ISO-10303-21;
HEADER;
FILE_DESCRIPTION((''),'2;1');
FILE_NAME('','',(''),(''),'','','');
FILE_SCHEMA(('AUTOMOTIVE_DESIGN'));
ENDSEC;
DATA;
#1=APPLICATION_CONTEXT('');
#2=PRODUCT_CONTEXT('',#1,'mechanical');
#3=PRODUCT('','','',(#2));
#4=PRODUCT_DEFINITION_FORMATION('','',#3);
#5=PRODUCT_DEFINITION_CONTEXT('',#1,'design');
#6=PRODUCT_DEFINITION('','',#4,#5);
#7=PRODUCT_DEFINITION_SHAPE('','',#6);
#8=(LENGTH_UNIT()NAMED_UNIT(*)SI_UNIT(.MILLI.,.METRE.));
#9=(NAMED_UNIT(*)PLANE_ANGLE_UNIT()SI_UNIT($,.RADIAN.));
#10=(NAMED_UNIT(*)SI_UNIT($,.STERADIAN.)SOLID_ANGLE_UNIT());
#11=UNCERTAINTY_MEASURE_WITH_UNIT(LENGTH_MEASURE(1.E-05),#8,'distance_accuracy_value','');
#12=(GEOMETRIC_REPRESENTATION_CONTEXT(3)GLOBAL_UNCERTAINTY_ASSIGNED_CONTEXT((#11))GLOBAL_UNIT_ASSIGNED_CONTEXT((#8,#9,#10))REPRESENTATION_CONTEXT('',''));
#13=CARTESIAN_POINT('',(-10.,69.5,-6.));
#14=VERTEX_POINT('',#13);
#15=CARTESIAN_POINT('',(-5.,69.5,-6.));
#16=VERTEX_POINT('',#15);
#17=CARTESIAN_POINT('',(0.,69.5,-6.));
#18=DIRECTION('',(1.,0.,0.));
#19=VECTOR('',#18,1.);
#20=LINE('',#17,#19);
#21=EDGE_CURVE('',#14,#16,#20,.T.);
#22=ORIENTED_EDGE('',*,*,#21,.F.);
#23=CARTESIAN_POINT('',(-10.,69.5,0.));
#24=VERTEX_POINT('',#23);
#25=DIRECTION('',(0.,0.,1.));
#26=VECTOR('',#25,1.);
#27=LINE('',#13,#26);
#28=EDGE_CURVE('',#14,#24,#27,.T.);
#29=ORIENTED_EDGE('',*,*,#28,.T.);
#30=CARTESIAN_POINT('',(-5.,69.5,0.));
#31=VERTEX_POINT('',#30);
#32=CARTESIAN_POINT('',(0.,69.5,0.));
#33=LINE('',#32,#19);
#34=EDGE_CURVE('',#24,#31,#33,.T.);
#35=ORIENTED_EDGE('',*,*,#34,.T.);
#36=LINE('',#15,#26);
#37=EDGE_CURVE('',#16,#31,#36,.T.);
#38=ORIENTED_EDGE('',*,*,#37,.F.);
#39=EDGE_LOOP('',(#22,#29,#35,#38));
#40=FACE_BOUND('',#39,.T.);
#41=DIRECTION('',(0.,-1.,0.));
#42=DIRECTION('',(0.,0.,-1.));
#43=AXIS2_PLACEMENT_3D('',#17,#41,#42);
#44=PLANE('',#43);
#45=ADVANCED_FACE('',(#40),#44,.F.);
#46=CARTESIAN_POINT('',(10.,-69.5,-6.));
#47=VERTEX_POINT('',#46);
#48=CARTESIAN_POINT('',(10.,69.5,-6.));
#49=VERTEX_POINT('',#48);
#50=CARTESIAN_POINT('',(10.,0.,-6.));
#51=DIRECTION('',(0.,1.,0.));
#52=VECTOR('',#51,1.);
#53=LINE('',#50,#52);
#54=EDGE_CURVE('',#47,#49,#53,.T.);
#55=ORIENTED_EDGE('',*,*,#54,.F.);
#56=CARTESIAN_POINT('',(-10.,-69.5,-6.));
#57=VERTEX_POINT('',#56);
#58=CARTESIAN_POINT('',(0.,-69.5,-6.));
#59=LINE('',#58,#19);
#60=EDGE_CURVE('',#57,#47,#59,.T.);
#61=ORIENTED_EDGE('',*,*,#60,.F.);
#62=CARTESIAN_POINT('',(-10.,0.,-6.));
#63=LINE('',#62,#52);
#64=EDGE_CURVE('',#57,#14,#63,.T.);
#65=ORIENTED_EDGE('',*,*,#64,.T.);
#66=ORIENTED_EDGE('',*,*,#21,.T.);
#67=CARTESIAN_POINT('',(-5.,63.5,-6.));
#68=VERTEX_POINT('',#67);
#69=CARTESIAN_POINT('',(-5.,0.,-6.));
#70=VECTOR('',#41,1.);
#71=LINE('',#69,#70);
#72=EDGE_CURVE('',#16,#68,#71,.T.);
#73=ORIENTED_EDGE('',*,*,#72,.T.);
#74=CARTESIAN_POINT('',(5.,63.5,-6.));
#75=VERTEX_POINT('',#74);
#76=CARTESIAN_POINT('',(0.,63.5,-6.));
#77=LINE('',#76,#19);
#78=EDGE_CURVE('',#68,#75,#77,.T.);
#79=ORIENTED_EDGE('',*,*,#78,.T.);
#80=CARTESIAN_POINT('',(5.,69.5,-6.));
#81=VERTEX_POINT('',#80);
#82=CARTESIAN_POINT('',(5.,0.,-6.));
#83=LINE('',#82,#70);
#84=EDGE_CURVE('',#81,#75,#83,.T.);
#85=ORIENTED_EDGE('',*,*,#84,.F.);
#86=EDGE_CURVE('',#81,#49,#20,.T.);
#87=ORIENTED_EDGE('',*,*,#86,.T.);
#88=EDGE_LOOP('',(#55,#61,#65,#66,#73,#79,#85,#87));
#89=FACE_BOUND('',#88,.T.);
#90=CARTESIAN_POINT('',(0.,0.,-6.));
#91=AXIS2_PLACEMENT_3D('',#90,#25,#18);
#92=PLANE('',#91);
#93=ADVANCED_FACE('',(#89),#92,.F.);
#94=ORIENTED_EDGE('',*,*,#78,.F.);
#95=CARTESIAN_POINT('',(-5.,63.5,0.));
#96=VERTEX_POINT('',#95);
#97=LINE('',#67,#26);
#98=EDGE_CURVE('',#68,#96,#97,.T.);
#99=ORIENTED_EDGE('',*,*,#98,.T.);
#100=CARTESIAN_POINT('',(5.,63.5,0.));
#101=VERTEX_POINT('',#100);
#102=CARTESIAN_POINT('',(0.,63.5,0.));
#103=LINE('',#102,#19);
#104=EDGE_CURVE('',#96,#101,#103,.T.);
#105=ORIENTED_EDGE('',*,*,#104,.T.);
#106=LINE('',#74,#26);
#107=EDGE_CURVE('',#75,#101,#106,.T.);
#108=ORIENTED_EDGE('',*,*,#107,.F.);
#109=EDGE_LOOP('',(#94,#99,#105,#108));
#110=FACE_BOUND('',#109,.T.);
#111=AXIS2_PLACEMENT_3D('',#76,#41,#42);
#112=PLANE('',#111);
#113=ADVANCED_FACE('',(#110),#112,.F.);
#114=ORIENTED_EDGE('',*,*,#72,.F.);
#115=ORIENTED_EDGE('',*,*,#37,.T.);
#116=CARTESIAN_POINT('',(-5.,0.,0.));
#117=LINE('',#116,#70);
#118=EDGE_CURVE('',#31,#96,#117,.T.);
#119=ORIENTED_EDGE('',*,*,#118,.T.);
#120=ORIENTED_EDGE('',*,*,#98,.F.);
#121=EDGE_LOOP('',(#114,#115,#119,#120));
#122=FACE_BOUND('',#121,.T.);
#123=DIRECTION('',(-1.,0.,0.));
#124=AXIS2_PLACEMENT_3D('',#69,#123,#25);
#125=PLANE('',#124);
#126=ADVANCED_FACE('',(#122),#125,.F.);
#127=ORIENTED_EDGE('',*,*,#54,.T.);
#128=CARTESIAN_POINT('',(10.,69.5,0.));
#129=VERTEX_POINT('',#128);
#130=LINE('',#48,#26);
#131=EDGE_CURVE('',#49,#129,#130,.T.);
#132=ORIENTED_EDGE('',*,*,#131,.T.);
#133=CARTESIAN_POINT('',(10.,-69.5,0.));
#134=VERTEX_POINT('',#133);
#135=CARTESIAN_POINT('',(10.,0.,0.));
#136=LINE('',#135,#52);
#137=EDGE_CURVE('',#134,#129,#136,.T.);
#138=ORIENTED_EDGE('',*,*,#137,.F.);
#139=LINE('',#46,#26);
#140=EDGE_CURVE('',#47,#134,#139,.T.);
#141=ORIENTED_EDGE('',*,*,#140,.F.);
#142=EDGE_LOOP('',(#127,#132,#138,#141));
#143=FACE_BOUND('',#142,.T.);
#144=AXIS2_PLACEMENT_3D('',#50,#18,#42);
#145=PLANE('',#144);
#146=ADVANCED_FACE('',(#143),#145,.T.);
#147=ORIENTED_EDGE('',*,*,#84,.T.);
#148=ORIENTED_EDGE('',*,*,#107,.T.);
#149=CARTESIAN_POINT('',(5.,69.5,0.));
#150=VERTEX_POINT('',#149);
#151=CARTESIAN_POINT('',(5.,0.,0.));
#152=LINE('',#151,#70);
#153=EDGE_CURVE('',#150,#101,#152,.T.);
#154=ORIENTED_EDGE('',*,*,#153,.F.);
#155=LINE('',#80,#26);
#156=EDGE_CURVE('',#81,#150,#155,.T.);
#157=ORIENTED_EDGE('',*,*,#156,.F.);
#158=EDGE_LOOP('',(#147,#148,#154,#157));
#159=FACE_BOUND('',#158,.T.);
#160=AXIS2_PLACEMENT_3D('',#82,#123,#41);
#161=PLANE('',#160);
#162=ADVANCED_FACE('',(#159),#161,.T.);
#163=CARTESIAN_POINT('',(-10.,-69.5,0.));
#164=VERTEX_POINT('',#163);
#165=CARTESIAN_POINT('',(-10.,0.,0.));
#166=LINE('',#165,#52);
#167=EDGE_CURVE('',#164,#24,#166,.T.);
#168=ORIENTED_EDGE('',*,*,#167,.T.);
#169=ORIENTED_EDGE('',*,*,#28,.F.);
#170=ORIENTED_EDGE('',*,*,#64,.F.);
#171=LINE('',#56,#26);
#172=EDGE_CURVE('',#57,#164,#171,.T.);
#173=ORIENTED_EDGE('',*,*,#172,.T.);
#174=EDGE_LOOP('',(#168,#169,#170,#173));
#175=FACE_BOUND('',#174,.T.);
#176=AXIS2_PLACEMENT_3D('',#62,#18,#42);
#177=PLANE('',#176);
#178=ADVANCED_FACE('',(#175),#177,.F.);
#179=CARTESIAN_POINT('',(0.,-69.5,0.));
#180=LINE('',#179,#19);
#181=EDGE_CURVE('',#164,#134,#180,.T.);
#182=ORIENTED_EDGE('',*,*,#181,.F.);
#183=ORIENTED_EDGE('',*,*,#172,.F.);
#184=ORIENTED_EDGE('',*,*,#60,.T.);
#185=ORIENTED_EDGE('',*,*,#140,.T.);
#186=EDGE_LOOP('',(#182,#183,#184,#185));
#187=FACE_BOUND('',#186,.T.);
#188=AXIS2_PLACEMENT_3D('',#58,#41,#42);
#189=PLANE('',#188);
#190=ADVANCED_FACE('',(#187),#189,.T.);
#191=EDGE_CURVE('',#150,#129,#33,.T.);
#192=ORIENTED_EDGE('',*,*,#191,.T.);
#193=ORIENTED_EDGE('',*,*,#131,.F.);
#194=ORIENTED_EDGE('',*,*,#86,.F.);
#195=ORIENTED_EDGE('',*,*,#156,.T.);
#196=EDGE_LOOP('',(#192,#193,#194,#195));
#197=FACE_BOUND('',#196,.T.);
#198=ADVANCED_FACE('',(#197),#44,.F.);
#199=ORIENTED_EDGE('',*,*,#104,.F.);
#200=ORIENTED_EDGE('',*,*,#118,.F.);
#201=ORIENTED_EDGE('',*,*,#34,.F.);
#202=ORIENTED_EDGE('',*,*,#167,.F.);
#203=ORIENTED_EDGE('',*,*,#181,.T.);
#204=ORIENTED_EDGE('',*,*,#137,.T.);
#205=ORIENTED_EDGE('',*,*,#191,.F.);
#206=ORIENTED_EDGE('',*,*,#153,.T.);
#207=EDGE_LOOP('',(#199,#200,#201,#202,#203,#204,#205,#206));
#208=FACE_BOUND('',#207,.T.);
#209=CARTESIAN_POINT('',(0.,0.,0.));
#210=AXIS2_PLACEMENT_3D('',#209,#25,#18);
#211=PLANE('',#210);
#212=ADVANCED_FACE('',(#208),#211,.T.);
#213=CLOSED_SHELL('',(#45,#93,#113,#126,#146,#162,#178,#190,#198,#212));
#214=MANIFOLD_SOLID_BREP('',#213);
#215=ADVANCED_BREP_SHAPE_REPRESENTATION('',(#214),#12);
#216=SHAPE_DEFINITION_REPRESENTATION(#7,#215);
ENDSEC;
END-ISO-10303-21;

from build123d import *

# Parameters (mm, degrees)
SKETCH1_W           = 5
SKETCH1_H           = 6
BOSS_EXTRUDE1_DEPTH = 6


with BuildPart() as part:
    # Sketch1 → Boss-Extrude1 (new body)
    with BuildSketch(Plane.XY):
        Polygon((0, 63.5), (-5, 63.5), (-10, 63.5), (-10, -69.5), (10, -69.5), (10, 63.5), (5, 63.5), align=None)
        with Locations((-7.5, 66.5)):
            Rectangle(SKETCH1_W, SKETCH1_H)
        with Locations((7.5, 66.5)):
            Rectangle(SKETCH1_W, SKETCH1_H)
    extrude(amount=-BOSS_EXTRUDE1_DEPTH)


solid = part.part
